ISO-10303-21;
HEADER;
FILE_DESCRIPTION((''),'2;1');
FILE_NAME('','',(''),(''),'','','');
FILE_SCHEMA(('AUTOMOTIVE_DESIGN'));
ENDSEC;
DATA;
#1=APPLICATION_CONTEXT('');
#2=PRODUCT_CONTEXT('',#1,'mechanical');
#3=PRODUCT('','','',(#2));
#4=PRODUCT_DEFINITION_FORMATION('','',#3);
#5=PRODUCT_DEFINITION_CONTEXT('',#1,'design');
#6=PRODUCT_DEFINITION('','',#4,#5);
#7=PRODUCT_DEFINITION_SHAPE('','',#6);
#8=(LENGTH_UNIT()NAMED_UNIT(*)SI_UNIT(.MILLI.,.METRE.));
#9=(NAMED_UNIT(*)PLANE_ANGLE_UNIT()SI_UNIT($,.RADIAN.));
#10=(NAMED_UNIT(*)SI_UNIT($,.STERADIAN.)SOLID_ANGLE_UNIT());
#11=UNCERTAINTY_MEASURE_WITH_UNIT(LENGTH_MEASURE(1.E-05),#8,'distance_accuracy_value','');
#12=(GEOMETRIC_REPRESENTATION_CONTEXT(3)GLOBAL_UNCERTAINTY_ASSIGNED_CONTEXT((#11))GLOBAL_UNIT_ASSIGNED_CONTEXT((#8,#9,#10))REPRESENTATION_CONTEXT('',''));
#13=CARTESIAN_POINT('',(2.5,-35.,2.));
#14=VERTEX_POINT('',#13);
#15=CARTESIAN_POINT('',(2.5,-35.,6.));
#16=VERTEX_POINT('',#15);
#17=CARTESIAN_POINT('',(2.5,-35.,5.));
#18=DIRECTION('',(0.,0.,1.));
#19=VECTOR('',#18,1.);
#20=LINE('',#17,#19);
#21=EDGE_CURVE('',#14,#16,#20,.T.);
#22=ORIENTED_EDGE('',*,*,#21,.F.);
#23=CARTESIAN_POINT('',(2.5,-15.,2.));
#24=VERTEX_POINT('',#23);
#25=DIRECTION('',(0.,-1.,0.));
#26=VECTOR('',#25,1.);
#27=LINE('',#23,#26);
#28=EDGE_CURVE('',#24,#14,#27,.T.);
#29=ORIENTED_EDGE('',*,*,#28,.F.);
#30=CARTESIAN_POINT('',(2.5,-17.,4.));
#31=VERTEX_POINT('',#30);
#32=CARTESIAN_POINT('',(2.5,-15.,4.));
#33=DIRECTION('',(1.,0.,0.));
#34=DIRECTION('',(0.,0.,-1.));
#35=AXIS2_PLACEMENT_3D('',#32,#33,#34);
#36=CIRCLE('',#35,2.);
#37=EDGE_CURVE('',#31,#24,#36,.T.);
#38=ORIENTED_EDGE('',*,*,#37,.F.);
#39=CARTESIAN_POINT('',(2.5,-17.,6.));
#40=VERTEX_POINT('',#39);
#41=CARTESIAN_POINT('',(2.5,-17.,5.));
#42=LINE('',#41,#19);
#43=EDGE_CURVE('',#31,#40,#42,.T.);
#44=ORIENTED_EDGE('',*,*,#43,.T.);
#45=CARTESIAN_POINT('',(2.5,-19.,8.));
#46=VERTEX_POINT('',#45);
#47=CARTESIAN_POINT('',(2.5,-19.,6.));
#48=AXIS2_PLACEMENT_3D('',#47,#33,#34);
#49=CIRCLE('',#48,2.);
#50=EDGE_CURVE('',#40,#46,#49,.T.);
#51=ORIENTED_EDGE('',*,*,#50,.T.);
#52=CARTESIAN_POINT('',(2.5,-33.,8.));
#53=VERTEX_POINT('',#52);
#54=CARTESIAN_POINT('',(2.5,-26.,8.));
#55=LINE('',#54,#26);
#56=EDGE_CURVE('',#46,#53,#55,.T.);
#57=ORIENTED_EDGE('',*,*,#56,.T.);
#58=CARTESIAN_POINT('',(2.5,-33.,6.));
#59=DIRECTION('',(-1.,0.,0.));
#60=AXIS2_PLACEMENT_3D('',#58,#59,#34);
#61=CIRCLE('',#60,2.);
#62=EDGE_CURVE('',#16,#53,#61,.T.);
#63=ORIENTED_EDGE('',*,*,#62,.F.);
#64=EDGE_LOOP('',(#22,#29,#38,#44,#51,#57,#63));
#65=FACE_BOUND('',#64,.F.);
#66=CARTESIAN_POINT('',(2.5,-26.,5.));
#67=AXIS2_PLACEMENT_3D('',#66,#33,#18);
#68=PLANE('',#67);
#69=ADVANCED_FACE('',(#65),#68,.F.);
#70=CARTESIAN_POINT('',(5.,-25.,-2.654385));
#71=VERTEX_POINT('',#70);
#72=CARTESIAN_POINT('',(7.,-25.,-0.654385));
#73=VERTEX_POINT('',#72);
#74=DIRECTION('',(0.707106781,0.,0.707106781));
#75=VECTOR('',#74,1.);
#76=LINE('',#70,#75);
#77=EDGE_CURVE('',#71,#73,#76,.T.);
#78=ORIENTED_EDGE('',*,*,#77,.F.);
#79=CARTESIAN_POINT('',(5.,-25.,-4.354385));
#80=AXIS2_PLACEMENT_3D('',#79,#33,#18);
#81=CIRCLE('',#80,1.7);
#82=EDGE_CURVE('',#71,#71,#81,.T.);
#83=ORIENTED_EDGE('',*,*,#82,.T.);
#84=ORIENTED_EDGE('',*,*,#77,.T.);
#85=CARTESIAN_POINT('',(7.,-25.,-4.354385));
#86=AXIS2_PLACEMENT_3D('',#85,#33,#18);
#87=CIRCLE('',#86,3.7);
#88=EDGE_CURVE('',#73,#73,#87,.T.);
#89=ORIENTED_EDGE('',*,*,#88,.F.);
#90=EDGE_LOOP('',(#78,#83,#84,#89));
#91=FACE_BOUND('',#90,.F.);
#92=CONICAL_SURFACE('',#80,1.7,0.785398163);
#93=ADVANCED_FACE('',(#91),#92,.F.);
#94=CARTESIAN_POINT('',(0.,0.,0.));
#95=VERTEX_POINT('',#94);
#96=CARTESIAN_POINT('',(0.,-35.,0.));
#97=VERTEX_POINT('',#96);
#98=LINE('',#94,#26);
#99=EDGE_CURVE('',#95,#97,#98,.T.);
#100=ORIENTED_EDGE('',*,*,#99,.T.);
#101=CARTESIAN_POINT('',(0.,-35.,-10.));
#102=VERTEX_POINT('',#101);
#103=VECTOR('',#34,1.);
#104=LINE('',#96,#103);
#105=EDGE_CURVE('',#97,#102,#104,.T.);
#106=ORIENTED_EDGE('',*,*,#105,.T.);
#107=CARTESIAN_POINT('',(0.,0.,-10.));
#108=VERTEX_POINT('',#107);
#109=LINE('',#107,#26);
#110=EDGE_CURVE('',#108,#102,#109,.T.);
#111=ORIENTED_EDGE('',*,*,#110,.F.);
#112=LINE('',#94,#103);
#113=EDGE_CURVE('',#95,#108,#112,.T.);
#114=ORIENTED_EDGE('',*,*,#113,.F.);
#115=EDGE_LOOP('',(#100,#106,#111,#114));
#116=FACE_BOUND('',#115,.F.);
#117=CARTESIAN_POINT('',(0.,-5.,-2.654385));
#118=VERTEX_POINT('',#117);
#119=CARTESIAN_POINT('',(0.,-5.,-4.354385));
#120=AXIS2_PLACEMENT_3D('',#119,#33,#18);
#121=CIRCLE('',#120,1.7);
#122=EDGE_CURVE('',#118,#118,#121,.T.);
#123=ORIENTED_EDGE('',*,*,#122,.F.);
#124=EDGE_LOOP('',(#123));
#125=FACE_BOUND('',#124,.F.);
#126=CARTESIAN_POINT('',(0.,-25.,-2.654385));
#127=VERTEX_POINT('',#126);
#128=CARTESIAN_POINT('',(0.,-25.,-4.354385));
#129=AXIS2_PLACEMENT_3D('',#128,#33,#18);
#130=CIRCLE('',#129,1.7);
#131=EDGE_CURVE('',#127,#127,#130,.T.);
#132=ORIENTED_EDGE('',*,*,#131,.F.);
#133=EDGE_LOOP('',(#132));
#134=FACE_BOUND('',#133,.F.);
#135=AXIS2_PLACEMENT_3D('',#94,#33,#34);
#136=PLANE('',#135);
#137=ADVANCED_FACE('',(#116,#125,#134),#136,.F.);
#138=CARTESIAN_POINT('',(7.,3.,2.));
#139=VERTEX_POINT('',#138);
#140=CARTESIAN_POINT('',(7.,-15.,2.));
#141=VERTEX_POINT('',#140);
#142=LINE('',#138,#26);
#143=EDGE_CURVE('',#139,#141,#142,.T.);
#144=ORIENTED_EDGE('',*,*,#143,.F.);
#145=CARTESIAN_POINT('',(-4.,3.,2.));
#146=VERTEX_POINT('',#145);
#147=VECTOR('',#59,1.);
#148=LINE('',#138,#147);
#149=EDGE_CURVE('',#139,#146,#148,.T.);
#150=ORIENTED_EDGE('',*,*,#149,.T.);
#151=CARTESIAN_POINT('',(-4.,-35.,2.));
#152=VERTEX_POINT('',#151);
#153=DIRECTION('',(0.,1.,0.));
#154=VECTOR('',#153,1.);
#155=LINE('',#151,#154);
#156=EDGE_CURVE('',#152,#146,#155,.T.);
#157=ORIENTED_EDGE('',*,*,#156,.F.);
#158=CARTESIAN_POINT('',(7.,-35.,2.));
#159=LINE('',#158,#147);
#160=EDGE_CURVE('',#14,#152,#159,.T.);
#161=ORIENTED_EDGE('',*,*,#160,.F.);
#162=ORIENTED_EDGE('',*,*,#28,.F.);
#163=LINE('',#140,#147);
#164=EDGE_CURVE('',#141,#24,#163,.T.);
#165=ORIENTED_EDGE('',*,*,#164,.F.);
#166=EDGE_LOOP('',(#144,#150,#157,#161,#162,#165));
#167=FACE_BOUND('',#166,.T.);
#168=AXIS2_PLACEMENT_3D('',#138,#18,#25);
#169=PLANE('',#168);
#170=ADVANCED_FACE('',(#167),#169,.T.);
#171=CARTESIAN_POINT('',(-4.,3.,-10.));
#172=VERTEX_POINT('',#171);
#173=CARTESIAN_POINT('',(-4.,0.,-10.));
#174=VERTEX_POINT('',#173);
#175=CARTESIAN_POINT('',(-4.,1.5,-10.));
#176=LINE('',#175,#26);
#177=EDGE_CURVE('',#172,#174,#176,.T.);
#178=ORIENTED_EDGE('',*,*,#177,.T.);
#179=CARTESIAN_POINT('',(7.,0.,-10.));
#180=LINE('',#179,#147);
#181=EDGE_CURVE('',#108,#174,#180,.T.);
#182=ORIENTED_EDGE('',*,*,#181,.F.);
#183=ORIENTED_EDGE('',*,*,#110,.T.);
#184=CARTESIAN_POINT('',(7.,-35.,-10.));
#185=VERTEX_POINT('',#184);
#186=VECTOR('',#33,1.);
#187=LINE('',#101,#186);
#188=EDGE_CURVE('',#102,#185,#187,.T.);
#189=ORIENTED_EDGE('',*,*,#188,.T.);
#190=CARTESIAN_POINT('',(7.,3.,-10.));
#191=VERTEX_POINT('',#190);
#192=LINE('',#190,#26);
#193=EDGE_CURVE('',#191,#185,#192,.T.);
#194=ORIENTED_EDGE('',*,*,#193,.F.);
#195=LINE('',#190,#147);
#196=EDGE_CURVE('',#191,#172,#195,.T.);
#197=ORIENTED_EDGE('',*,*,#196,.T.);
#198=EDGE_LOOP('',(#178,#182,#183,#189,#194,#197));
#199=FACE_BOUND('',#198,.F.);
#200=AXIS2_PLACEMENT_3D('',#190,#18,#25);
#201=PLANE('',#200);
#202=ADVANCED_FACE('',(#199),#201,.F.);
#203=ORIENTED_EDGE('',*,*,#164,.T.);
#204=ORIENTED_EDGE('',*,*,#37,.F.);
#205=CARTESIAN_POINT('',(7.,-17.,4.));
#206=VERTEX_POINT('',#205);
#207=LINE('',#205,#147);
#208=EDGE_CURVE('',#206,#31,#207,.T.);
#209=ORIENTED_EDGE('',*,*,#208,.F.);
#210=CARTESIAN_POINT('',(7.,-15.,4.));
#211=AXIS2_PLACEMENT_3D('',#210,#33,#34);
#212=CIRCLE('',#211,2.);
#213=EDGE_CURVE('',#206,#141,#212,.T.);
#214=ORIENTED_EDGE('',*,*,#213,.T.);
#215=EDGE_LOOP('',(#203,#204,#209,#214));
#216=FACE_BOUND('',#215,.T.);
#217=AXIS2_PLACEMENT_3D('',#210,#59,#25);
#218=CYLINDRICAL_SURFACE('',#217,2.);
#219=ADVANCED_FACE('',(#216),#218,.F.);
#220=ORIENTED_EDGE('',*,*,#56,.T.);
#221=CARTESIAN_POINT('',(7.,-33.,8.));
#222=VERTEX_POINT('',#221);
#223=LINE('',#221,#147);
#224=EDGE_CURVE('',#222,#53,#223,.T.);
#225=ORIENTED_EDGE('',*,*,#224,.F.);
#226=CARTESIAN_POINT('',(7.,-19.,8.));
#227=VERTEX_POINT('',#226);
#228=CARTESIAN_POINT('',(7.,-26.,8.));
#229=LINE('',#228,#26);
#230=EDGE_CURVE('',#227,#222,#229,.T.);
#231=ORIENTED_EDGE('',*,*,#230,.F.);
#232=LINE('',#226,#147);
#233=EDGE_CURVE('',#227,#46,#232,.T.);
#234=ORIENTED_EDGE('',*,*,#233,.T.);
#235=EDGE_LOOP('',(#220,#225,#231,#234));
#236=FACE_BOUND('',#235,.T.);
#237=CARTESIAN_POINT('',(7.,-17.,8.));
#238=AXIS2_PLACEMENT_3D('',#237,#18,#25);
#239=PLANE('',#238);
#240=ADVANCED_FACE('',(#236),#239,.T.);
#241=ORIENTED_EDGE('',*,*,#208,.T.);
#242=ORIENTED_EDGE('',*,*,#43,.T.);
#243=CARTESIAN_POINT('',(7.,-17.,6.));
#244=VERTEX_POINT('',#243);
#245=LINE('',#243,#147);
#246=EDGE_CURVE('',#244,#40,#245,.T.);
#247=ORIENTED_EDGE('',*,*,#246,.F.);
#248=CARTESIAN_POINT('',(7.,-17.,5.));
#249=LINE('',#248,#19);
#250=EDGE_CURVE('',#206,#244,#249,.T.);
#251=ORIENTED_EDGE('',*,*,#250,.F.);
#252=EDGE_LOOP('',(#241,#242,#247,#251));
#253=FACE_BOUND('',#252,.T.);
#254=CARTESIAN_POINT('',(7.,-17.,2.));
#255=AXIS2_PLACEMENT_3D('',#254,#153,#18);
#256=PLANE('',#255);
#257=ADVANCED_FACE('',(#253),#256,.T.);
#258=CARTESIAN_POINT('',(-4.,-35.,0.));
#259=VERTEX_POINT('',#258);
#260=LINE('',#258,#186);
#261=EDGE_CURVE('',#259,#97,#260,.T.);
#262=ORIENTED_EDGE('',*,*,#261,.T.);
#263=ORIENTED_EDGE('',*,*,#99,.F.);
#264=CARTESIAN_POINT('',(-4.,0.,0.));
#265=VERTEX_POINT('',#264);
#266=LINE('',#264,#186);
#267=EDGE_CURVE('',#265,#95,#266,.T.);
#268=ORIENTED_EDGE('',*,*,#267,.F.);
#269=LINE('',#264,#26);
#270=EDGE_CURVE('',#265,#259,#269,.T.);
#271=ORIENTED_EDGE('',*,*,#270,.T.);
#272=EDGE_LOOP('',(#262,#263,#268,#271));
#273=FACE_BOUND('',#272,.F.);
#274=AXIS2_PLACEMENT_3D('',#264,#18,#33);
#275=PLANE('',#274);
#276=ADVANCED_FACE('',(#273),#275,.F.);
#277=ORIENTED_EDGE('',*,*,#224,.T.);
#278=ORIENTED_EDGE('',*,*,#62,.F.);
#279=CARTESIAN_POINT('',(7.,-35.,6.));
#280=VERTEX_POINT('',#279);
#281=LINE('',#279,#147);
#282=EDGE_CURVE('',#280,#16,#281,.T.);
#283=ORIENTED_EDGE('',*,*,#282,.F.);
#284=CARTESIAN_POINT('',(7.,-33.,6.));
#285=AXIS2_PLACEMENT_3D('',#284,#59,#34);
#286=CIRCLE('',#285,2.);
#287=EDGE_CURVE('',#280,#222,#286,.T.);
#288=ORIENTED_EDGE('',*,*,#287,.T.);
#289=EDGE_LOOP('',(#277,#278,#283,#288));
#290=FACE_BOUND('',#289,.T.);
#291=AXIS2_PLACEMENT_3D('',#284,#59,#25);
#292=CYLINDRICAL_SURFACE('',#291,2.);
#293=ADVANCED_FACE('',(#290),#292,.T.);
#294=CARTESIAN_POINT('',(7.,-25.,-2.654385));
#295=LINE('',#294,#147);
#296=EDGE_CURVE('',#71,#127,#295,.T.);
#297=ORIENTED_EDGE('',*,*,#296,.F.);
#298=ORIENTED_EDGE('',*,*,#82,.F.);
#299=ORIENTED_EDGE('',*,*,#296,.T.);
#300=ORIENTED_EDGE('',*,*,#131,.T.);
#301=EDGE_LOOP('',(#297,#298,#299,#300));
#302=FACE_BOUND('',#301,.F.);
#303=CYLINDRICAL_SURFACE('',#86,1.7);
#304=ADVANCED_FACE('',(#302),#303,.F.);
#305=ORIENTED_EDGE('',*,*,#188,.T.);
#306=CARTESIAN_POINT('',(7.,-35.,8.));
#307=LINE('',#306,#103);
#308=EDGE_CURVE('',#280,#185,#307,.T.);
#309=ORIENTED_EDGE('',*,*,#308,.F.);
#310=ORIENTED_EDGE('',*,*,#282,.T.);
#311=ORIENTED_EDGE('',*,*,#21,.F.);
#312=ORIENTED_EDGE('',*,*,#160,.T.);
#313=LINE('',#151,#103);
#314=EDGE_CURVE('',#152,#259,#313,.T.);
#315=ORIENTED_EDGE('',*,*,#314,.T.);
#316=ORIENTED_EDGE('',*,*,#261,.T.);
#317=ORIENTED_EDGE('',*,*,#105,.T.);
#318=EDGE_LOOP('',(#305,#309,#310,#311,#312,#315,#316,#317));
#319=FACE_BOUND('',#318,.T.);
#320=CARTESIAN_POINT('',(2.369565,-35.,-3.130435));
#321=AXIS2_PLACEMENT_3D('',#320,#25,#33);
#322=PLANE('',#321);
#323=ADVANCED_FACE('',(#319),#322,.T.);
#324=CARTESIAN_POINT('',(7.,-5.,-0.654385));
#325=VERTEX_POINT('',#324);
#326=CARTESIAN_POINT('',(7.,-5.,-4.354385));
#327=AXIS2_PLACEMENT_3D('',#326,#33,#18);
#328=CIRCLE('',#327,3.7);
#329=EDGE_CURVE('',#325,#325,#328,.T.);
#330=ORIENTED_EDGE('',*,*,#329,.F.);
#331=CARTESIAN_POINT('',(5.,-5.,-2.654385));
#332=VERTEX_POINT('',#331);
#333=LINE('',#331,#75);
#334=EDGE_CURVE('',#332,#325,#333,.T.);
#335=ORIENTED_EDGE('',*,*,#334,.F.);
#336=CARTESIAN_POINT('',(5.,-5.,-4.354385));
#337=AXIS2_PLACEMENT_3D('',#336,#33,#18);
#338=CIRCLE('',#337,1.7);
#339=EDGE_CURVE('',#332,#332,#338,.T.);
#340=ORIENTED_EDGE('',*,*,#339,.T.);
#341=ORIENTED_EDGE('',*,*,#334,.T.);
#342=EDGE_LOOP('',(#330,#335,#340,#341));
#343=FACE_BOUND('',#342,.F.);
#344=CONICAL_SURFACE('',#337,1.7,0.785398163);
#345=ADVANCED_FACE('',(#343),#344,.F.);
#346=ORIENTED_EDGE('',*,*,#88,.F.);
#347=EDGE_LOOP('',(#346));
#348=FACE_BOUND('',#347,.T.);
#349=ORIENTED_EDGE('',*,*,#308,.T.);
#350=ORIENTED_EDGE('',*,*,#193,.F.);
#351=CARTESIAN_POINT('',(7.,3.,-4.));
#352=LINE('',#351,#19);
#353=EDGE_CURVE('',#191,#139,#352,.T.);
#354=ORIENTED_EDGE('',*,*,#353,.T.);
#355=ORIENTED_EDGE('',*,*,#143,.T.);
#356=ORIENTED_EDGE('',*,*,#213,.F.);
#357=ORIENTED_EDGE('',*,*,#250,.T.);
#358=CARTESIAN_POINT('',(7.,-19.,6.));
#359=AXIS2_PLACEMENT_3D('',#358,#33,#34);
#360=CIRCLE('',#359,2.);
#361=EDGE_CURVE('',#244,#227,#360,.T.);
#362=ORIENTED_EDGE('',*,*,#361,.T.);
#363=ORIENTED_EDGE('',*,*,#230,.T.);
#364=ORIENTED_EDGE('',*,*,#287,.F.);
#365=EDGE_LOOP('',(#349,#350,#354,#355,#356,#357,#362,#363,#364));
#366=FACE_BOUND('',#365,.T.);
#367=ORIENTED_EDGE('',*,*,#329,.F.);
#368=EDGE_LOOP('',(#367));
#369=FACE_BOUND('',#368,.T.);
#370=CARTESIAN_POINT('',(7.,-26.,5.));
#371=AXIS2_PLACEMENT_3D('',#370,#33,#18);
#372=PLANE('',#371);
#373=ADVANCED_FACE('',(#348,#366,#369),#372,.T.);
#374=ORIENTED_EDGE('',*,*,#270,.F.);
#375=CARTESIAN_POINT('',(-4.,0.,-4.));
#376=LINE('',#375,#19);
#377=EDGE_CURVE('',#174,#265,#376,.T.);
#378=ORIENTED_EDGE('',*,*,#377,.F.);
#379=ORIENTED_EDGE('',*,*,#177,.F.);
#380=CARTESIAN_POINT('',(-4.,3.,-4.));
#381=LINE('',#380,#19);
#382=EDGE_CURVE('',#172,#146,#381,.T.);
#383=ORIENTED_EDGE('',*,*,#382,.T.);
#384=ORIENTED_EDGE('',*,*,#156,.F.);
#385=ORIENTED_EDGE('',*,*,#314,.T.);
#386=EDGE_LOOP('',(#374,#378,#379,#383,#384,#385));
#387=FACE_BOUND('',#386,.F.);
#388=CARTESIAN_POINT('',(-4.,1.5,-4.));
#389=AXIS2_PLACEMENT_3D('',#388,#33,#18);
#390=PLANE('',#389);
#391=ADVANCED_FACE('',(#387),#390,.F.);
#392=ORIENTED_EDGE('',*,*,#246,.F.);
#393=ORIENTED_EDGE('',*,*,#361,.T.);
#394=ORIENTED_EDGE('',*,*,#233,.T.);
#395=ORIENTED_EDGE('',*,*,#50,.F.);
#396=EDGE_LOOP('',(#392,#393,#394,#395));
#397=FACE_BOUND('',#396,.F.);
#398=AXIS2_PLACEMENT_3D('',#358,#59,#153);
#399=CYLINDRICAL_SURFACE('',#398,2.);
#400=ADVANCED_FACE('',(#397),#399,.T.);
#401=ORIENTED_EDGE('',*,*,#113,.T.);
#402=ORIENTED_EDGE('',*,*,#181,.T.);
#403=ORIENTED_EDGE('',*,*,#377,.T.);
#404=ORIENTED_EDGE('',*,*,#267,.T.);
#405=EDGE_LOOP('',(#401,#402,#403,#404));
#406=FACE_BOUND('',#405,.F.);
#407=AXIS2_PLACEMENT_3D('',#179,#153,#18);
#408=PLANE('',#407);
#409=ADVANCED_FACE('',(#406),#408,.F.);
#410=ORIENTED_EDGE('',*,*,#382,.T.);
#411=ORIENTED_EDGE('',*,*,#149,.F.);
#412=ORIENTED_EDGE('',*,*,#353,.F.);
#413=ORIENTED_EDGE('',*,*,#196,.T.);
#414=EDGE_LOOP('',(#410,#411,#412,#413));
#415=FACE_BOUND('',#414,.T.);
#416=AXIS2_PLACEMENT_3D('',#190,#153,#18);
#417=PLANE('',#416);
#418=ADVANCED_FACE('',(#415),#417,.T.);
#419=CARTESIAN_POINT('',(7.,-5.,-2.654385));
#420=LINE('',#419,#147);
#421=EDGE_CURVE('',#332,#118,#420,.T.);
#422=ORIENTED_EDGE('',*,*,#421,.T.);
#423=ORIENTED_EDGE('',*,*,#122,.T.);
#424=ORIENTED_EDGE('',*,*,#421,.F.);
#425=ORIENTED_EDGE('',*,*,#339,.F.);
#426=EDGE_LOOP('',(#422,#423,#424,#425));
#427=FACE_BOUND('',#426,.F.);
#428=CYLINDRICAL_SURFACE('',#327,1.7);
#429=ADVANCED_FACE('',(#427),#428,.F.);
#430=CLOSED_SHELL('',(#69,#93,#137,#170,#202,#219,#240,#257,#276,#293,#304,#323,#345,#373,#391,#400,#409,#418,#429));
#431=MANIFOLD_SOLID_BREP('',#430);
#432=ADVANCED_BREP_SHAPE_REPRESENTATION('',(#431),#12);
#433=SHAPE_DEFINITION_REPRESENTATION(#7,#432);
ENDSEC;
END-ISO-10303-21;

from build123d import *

# Parameters (mm, degrees)
PAD009_DEPTH    = 35
SKETCH016_R     = 1.7
POCKET005_DEPTH = 11.001
CHAMFER_SIZE    = 2
SKETCH017_W     = 12
SKETCH017_H     = 3
PAD010_DEPTH    = 11
SKETCH019_W     = 6
SKETCH019_H     = 18
PAD011_DEPTH    = 4.5
FILLET_R        = 2


with BuildPart() as part:
    # Sketch015 → Pad009 (new body)
    with BuildSketch(Plane.XZ):
        Polygon((-4, 0), (0, 0), (0, -10), (7, -10), (7, 2), (-4, 2), align=None)
    extrude(amount=PAD009_DEPTH)

    # Sketch016 (on Face4 of Pad009) → Pocket005 (cut, through all)
    with BuildSketch(Plane(origin=(7, 0, 0), x_dir=(0, 0, 1), z_dir=(1, 0, 0))):
        with Locations((-4.354385, 25)):
            Circle(SKETCH016_R)
        with Locations((-4.354385, 5)):
            Circle(SKETCH016_R)
    extrude(amount=-POCKET005_DEPTH, mode=Mode.SUBTRACT)

    # Chamfer
    chamfer_edges = [part.edges().sort_by_distance(p)[0] for p in [
        (7, -25, -6.054385),
        (7, -5, -6.054385),
    ]]
    chamfer(chamfer_edges, length=CHAMFER_SIZE)

    # Sketch017 (on Face4 of Chamfer) → Pad010 (join)
    with BuildSketch(Plane(origin=(7, 0, 0), x_dir=(0, 0, 1), z_dir=(1, 0, 0))):
        with Locations((-4, -1.5)):
            Rectangle(SKETCH017_W, SKETCH017_H)
    extrude(amount=-PAD010_DEPTH)

    # Sketch019 (on Face4 of Pad010) → Pad011 (join)
    with BuildSketch(Plane(origin=(7, 0, 0), x_dir=(0, 0, 1), z_dir=(1, 0, 0))):
        with Locations((5, 26)):
            Rectangle(SKETCH019_W, SKETCH019_H)
    extrude(amount=-PAD011_DEPTH)

    # Fillet
    fillet_edges = [part.edges().sort_by_distance(p)[0] for p in [
        (4.75, -17, 2),
        (4.75, -17, 8),
        (4.75, -35, 8),
    ]]
    fillet(fillet_edges, radius=FILLET_R)


solid = part.part
